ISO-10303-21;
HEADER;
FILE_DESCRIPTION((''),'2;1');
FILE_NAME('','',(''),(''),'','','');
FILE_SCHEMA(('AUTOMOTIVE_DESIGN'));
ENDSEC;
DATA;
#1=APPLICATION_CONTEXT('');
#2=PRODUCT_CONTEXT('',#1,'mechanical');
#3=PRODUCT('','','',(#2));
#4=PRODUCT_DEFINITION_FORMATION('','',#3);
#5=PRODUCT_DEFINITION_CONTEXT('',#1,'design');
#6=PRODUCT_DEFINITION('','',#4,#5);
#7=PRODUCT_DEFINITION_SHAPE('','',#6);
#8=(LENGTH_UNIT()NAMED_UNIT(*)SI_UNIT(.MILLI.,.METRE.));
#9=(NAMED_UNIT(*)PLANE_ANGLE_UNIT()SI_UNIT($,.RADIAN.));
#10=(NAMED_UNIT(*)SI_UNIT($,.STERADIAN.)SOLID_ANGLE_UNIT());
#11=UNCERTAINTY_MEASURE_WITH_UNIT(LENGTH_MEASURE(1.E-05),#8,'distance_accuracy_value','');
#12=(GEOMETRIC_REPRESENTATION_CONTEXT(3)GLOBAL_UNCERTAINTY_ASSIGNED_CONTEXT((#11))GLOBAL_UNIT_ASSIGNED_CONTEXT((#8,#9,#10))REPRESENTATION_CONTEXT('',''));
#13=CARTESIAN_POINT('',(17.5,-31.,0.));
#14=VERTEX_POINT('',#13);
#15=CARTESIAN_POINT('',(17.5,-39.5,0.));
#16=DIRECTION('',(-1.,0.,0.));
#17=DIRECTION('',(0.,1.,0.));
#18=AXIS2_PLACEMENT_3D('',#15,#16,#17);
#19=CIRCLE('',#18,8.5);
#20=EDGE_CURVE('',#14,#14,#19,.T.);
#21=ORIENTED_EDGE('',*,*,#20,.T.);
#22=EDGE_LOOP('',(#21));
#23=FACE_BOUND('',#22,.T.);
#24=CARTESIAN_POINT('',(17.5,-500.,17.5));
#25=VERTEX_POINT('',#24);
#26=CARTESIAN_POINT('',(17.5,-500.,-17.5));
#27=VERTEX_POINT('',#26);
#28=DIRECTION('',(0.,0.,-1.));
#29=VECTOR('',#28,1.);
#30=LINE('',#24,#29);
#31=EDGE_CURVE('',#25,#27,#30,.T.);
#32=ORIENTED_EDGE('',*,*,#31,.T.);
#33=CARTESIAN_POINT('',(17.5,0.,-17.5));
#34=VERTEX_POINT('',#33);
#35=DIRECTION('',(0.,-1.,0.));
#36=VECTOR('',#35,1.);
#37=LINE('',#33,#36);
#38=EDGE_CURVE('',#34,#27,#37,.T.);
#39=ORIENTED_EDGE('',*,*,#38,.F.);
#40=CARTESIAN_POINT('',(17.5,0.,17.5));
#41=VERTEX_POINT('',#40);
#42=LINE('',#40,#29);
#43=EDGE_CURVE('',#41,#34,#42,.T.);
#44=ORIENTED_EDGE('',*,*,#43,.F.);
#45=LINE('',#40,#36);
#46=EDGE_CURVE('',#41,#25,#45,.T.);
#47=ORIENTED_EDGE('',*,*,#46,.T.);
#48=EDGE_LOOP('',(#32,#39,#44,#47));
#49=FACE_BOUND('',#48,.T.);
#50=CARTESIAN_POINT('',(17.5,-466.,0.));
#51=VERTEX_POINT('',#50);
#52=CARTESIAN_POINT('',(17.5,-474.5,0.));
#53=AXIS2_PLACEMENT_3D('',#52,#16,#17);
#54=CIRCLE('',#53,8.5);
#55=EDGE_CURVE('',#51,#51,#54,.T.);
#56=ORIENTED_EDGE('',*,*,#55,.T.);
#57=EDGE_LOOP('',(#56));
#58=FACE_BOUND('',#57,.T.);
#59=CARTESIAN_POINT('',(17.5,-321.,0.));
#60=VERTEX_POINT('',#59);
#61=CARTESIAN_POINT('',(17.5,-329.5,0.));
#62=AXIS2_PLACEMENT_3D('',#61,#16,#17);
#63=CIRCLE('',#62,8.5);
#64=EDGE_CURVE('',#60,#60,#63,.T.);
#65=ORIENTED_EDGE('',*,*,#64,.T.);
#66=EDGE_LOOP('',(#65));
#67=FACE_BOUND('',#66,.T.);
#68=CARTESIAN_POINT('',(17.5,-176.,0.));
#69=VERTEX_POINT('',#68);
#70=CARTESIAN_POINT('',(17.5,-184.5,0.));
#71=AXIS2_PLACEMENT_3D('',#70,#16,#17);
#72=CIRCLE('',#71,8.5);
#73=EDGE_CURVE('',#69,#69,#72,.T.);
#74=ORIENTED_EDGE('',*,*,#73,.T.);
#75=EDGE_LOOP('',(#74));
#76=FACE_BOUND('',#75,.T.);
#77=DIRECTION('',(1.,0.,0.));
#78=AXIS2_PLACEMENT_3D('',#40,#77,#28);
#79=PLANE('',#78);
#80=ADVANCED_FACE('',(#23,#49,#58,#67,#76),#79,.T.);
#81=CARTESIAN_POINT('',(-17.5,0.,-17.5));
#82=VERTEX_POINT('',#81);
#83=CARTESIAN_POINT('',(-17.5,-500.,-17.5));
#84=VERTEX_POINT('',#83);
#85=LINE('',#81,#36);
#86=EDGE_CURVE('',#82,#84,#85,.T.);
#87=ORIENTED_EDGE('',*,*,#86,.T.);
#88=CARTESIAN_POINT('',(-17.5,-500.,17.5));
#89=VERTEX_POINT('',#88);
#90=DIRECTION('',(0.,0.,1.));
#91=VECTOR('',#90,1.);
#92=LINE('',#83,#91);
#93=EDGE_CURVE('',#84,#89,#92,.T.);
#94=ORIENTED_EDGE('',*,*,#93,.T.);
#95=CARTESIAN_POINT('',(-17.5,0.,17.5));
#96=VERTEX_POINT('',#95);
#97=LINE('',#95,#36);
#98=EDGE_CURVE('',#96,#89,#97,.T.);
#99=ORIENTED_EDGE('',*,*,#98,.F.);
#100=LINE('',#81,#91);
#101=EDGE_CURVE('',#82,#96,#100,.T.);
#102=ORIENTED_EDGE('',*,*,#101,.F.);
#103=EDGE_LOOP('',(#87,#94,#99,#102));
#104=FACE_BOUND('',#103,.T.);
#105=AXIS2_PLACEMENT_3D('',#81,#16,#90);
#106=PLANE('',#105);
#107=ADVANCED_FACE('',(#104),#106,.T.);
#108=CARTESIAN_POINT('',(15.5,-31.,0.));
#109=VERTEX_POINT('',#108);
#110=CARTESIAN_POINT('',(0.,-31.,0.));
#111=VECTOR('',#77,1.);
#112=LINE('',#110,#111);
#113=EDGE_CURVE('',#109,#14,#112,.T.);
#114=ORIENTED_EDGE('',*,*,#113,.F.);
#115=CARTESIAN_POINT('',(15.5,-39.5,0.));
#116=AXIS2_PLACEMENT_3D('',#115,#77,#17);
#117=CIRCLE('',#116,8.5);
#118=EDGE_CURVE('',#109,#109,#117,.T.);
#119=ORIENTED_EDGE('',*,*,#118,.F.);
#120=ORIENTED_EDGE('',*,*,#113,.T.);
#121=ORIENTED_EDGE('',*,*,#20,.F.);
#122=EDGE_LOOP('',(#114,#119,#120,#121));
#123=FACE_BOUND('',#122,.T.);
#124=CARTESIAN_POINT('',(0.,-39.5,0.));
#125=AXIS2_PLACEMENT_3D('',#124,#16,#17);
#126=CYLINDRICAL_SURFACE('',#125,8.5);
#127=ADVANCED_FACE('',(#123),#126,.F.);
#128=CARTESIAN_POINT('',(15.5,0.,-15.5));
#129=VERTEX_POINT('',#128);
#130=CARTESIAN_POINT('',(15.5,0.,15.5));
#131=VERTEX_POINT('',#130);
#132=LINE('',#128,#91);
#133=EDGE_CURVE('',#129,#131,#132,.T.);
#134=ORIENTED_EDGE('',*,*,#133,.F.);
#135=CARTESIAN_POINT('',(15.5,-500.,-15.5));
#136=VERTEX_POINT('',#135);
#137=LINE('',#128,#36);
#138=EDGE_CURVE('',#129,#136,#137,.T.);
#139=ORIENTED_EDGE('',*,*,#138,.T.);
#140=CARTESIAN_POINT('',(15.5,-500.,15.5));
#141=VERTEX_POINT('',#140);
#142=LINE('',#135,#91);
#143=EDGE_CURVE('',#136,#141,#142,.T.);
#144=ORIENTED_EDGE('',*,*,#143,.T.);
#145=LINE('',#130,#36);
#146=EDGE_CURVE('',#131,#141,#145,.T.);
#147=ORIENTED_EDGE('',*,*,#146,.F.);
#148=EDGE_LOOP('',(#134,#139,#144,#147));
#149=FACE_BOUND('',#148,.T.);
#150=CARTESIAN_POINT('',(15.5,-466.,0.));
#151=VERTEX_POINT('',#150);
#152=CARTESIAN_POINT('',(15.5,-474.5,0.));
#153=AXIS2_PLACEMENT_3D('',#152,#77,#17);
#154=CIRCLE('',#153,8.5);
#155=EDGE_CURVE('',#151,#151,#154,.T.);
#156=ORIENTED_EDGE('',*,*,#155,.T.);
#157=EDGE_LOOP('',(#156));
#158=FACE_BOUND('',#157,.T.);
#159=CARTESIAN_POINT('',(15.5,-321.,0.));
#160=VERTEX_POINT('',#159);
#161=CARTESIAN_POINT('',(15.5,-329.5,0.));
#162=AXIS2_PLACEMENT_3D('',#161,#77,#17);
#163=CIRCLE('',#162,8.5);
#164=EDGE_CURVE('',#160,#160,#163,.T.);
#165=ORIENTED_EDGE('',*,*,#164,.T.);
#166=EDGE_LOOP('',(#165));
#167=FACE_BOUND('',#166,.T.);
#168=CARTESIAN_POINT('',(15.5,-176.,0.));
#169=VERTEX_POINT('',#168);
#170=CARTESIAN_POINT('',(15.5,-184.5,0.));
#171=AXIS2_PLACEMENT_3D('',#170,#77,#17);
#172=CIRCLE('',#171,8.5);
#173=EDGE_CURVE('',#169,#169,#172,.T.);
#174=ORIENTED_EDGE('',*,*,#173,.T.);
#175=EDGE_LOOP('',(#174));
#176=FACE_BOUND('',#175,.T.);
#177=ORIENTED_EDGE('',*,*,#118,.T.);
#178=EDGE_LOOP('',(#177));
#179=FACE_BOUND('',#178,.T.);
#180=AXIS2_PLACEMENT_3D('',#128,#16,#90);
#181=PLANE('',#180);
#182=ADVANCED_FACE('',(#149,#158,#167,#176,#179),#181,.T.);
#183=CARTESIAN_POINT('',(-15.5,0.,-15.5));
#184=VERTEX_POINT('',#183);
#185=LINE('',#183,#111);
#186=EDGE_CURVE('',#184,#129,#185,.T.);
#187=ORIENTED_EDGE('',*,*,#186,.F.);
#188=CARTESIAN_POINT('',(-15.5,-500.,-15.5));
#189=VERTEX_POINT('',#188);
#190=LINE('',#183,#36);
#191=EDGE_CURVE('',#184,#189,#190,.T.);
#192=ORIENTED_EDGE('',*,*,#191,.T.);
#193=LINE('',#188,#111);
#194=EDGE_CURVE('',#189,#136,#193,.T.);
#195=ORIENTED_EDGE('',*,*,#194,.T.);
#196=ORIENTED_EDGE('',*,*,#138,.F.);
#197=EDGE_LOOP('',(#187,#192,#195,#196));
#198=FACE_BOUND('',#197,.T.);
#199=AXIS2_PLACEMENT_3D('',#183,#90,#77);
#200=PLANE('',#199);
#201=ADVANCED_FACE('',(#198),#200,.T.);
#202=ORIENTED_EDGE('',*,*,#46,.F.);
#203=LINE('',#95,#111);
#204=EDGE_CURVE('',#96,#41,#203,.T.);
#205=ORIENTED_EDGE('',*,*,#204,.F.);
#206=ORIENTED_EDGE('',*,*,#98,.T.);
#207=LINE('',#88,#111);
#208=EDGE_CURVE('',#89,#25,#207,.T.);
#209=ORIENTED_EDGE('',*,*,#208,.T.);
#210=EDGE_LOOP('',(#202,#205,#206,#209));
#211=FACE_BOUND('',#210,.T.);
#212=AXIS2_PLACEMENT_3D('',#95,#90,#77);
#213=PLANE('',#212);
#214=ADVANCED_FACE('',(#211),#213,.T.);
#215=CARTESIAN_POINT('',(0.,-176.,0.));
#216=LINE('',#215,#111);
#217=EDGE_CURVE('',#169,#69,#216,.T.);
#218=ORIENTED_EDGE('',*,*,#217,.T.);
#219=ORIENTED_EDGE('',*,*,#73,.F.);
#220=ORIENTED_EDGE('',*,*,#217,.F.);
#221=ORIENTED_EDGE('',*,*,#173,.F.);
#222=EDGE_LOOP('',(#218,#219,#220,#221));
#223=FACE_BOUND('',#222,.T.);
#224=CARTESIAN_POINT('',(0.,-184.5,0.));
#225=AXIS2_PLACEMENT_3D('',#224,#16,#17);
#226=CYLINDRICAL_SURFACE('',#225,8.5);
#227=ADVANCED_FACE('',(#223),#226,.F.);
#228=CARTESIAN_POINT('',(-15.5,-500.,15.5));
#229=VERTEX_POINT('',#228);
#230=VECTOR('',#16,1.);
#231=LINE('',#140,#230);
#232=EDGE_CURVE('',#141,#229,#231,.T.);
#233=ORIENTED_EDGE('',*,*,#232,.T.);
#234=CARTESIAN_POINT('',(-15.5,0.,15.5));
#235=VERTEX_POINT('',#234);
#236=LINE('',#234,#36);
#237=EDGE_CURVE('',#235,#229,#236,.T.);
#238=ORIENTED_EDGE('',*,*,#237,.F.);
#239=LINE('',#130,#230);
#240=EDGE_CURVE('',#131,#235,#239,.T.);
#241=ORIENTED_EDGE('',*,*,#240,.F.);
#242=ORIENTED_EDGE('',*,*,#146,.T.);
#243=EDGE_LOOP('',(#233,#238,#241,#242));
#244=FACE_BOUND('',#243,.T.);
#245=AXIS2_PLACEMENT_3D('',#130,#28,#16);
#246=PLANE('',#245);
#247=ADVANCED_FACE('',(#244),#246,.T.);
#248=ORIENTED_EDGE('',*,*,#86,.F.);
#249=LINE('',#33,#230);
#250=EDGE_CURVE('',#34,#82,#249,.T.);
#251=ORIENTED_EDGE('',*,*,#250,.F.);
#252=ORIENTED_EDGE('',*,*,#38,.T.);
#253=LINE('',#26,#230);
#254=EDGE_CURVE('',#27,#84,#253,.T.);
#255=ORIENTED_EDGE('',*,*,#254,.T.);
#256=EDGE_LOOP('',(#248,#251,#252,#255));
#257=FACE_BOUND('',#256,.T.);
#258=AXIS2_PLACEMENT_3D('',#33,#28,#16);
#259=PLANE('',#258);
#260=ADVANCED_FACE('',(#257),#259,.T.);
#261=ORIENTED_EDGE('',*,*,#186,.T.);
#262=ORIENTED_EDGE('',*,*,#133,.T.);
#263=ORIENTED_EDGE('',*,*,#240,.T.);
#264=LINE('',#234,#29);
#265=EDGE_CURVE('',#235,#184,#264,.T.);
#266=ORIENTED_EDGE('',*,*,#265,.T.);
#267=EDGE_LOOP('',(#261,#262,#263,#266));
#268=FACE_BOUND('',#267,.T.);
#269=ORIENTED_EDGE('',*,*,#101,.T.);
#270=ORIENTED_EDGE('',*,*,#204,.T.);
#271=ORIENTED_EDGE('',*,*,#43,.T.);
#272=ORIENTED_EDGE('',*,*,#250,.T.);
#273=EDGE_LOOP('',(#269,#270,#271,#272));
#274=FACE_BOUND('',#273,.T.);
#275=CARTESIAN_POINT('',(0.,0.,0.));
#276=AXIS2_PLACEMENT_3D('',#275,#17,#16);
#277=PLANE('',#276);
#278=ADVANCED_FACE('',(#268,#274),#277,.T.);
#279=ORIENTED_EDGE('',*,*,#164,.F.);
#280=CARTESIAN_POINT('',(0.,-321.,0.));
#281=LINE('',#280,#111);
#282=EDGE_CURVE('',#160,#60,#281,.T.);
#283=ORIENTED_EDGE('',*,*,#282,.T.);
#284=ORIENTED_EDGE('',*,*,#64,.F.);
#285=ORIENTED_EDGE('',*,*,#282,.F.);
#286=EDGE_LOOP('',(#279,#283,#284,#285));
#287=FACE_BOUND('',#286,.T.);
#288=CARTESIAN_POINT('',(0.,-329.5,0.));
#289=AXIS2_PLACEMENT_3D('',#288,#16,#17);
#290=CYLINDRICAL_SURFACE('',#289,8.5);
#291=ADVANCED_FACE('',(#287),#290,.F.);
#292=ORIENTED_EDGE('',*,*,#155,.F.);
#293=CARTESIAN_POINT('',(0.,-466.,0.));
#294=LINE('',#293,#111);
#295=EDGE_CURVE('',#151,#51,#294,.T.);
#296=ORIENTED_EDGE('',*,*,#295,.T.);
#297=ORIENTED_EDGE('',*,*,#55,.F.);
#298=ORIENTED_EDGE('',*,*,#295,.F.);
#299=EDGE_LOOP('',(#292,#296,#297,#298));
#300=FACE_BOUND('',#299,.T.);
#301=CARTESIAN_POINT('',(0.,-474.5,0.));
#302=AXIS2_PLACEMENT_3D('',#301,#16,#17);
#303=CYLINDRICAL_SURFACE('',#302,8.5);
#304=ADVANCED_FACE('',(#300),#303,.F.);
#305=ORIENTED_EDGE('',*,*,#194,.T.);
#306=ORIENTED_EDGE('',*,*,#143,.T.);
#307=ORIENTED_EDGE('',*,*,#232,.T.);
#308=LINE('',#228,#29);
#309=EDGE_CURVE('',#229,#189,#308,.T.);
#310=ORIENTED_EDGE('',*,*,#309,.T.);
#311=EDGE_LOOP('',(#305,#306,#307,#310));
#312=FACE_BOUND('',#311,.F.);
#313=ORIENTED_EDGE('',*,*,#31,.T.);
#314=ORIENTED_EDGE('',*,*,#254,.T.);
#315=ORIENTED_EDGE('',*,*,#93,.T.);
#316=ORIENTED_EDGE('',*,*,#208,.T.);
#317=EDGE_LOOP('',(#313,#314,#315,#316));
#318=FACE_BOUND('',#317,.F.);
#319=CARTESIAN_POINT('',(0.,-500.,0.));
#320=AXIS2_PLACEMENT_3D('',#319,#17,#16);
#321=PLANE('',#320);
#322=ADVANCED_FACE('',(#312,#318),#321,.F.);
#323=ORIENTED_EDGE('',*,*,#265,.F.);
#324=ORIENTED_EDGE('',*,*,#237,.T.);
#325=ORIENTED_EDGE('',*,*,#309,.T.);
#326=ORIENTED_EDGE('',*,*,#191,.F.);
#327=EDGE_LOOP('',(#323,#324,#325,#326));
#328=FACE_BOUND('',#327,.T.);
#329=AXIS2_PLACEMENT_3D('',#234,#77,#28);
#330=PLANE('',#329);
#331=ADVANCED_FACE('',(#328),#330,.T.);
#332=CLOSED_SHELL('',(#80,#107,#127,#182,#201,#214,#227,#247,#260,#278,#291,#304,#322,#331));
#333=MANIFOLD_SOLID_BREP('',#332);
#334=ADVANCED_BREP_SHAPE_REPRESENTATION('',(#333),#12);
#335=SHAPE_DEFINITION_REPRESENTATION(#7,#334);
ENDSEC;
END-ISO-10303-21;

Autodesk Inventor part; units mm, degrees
ref_plane "YZ Plane" through (0, 0, 0) normal (1, 0, 0) x (0, 1, 0)
ref_plane "XZ Plane" through (0, 0, 0) normal (0, 1, 0) x (-1, 0, 0)
ref_plane "XY Plane" through (0, 0, 0) normal (0, 0, 1) x (1, 0, 0)
sketch "Sketch9" plane through (0, 0, 0) normal (0, 1, 0) x (-1, 0, 0)
  line L0 (17.5, 17.5) -> (-17.5, 17.5)
  line L1 (-17.5, 17.5) -> (-17.5, -17.5)
  line L2 (-17.5, -17.5) -> (17.5, -17.5)
  line L3 (17.5, -17.5) -> (17.5, 17.5)
  line L4 (17.5, 17.5) -> (-17.5, -17.5) construction
  line L5 (-17.5, 17.5) -> (17.5, -17.5) construction
  line L6 (-15.5, 15.5) -> (15.5, 15.5)
  line L7 (15.5, 15.5) -> (15.5, -15.5)
  line L8 (15.5, -15.5) -> (-15.5, -15.5)
  line L9 (-15.5, -15.5) -> (-15.5, 15.5)
  point P0 (0, 0)
  dimension "d172" = 35
  dimension "d173" = 35
  dimension "d174" = 2
extrude "Extrusion3" add sketch "Sketch9" against normal blind 500
sketch "Sketch10" plane through (0, 0, 0) normal (1, 0, 0) x (0, 1, 0)
  line L0 (0, 17.5) -> (0, -17.5) construction
  line L1 (0, 17.5) -> (-500, 17.5) construction
  line L2 (-500, -17.5) -> (-500, 17.5) construction
  line L3 (0, -17.5) -> (-500, -17.5) construction
  line L4 (-483, 8.5) -> (-466, 8.5)
  line L5 (-466, 8.5) -> (-466, -8.5)
  line L6 (-466, -8.5) -> (-483, -8.5)
  line L7 (-483, -8.5) -> (-483, 8.5)
  line L8 (-483, 8.5) -> (-466, -8.5) construction
  line L9 (-466, 8.5) -> (-483, -8.5) construction
  circle A0 centre (-474.5, 0) radius 8.5
  line L10 (0, 17.5) -> (0, -17.5) projected
  point P0 (0, 0)
  point P1 (0, 0)
  point P2 (-500, 0)
  dimension "d177" = 17
  dimension "d178" = 17
  dimension "d191" = 17
extrude "Extrusion4" cut sketch "Sketch10" along normal through all contours A0
pattern_linear "Rectangular Pattern4" count 4 spacing 145 along (0, 1, 0) of "Extrusion4"
properties part number "ANP 1435 FDS WAY tube5" material "Stainless Steel"
